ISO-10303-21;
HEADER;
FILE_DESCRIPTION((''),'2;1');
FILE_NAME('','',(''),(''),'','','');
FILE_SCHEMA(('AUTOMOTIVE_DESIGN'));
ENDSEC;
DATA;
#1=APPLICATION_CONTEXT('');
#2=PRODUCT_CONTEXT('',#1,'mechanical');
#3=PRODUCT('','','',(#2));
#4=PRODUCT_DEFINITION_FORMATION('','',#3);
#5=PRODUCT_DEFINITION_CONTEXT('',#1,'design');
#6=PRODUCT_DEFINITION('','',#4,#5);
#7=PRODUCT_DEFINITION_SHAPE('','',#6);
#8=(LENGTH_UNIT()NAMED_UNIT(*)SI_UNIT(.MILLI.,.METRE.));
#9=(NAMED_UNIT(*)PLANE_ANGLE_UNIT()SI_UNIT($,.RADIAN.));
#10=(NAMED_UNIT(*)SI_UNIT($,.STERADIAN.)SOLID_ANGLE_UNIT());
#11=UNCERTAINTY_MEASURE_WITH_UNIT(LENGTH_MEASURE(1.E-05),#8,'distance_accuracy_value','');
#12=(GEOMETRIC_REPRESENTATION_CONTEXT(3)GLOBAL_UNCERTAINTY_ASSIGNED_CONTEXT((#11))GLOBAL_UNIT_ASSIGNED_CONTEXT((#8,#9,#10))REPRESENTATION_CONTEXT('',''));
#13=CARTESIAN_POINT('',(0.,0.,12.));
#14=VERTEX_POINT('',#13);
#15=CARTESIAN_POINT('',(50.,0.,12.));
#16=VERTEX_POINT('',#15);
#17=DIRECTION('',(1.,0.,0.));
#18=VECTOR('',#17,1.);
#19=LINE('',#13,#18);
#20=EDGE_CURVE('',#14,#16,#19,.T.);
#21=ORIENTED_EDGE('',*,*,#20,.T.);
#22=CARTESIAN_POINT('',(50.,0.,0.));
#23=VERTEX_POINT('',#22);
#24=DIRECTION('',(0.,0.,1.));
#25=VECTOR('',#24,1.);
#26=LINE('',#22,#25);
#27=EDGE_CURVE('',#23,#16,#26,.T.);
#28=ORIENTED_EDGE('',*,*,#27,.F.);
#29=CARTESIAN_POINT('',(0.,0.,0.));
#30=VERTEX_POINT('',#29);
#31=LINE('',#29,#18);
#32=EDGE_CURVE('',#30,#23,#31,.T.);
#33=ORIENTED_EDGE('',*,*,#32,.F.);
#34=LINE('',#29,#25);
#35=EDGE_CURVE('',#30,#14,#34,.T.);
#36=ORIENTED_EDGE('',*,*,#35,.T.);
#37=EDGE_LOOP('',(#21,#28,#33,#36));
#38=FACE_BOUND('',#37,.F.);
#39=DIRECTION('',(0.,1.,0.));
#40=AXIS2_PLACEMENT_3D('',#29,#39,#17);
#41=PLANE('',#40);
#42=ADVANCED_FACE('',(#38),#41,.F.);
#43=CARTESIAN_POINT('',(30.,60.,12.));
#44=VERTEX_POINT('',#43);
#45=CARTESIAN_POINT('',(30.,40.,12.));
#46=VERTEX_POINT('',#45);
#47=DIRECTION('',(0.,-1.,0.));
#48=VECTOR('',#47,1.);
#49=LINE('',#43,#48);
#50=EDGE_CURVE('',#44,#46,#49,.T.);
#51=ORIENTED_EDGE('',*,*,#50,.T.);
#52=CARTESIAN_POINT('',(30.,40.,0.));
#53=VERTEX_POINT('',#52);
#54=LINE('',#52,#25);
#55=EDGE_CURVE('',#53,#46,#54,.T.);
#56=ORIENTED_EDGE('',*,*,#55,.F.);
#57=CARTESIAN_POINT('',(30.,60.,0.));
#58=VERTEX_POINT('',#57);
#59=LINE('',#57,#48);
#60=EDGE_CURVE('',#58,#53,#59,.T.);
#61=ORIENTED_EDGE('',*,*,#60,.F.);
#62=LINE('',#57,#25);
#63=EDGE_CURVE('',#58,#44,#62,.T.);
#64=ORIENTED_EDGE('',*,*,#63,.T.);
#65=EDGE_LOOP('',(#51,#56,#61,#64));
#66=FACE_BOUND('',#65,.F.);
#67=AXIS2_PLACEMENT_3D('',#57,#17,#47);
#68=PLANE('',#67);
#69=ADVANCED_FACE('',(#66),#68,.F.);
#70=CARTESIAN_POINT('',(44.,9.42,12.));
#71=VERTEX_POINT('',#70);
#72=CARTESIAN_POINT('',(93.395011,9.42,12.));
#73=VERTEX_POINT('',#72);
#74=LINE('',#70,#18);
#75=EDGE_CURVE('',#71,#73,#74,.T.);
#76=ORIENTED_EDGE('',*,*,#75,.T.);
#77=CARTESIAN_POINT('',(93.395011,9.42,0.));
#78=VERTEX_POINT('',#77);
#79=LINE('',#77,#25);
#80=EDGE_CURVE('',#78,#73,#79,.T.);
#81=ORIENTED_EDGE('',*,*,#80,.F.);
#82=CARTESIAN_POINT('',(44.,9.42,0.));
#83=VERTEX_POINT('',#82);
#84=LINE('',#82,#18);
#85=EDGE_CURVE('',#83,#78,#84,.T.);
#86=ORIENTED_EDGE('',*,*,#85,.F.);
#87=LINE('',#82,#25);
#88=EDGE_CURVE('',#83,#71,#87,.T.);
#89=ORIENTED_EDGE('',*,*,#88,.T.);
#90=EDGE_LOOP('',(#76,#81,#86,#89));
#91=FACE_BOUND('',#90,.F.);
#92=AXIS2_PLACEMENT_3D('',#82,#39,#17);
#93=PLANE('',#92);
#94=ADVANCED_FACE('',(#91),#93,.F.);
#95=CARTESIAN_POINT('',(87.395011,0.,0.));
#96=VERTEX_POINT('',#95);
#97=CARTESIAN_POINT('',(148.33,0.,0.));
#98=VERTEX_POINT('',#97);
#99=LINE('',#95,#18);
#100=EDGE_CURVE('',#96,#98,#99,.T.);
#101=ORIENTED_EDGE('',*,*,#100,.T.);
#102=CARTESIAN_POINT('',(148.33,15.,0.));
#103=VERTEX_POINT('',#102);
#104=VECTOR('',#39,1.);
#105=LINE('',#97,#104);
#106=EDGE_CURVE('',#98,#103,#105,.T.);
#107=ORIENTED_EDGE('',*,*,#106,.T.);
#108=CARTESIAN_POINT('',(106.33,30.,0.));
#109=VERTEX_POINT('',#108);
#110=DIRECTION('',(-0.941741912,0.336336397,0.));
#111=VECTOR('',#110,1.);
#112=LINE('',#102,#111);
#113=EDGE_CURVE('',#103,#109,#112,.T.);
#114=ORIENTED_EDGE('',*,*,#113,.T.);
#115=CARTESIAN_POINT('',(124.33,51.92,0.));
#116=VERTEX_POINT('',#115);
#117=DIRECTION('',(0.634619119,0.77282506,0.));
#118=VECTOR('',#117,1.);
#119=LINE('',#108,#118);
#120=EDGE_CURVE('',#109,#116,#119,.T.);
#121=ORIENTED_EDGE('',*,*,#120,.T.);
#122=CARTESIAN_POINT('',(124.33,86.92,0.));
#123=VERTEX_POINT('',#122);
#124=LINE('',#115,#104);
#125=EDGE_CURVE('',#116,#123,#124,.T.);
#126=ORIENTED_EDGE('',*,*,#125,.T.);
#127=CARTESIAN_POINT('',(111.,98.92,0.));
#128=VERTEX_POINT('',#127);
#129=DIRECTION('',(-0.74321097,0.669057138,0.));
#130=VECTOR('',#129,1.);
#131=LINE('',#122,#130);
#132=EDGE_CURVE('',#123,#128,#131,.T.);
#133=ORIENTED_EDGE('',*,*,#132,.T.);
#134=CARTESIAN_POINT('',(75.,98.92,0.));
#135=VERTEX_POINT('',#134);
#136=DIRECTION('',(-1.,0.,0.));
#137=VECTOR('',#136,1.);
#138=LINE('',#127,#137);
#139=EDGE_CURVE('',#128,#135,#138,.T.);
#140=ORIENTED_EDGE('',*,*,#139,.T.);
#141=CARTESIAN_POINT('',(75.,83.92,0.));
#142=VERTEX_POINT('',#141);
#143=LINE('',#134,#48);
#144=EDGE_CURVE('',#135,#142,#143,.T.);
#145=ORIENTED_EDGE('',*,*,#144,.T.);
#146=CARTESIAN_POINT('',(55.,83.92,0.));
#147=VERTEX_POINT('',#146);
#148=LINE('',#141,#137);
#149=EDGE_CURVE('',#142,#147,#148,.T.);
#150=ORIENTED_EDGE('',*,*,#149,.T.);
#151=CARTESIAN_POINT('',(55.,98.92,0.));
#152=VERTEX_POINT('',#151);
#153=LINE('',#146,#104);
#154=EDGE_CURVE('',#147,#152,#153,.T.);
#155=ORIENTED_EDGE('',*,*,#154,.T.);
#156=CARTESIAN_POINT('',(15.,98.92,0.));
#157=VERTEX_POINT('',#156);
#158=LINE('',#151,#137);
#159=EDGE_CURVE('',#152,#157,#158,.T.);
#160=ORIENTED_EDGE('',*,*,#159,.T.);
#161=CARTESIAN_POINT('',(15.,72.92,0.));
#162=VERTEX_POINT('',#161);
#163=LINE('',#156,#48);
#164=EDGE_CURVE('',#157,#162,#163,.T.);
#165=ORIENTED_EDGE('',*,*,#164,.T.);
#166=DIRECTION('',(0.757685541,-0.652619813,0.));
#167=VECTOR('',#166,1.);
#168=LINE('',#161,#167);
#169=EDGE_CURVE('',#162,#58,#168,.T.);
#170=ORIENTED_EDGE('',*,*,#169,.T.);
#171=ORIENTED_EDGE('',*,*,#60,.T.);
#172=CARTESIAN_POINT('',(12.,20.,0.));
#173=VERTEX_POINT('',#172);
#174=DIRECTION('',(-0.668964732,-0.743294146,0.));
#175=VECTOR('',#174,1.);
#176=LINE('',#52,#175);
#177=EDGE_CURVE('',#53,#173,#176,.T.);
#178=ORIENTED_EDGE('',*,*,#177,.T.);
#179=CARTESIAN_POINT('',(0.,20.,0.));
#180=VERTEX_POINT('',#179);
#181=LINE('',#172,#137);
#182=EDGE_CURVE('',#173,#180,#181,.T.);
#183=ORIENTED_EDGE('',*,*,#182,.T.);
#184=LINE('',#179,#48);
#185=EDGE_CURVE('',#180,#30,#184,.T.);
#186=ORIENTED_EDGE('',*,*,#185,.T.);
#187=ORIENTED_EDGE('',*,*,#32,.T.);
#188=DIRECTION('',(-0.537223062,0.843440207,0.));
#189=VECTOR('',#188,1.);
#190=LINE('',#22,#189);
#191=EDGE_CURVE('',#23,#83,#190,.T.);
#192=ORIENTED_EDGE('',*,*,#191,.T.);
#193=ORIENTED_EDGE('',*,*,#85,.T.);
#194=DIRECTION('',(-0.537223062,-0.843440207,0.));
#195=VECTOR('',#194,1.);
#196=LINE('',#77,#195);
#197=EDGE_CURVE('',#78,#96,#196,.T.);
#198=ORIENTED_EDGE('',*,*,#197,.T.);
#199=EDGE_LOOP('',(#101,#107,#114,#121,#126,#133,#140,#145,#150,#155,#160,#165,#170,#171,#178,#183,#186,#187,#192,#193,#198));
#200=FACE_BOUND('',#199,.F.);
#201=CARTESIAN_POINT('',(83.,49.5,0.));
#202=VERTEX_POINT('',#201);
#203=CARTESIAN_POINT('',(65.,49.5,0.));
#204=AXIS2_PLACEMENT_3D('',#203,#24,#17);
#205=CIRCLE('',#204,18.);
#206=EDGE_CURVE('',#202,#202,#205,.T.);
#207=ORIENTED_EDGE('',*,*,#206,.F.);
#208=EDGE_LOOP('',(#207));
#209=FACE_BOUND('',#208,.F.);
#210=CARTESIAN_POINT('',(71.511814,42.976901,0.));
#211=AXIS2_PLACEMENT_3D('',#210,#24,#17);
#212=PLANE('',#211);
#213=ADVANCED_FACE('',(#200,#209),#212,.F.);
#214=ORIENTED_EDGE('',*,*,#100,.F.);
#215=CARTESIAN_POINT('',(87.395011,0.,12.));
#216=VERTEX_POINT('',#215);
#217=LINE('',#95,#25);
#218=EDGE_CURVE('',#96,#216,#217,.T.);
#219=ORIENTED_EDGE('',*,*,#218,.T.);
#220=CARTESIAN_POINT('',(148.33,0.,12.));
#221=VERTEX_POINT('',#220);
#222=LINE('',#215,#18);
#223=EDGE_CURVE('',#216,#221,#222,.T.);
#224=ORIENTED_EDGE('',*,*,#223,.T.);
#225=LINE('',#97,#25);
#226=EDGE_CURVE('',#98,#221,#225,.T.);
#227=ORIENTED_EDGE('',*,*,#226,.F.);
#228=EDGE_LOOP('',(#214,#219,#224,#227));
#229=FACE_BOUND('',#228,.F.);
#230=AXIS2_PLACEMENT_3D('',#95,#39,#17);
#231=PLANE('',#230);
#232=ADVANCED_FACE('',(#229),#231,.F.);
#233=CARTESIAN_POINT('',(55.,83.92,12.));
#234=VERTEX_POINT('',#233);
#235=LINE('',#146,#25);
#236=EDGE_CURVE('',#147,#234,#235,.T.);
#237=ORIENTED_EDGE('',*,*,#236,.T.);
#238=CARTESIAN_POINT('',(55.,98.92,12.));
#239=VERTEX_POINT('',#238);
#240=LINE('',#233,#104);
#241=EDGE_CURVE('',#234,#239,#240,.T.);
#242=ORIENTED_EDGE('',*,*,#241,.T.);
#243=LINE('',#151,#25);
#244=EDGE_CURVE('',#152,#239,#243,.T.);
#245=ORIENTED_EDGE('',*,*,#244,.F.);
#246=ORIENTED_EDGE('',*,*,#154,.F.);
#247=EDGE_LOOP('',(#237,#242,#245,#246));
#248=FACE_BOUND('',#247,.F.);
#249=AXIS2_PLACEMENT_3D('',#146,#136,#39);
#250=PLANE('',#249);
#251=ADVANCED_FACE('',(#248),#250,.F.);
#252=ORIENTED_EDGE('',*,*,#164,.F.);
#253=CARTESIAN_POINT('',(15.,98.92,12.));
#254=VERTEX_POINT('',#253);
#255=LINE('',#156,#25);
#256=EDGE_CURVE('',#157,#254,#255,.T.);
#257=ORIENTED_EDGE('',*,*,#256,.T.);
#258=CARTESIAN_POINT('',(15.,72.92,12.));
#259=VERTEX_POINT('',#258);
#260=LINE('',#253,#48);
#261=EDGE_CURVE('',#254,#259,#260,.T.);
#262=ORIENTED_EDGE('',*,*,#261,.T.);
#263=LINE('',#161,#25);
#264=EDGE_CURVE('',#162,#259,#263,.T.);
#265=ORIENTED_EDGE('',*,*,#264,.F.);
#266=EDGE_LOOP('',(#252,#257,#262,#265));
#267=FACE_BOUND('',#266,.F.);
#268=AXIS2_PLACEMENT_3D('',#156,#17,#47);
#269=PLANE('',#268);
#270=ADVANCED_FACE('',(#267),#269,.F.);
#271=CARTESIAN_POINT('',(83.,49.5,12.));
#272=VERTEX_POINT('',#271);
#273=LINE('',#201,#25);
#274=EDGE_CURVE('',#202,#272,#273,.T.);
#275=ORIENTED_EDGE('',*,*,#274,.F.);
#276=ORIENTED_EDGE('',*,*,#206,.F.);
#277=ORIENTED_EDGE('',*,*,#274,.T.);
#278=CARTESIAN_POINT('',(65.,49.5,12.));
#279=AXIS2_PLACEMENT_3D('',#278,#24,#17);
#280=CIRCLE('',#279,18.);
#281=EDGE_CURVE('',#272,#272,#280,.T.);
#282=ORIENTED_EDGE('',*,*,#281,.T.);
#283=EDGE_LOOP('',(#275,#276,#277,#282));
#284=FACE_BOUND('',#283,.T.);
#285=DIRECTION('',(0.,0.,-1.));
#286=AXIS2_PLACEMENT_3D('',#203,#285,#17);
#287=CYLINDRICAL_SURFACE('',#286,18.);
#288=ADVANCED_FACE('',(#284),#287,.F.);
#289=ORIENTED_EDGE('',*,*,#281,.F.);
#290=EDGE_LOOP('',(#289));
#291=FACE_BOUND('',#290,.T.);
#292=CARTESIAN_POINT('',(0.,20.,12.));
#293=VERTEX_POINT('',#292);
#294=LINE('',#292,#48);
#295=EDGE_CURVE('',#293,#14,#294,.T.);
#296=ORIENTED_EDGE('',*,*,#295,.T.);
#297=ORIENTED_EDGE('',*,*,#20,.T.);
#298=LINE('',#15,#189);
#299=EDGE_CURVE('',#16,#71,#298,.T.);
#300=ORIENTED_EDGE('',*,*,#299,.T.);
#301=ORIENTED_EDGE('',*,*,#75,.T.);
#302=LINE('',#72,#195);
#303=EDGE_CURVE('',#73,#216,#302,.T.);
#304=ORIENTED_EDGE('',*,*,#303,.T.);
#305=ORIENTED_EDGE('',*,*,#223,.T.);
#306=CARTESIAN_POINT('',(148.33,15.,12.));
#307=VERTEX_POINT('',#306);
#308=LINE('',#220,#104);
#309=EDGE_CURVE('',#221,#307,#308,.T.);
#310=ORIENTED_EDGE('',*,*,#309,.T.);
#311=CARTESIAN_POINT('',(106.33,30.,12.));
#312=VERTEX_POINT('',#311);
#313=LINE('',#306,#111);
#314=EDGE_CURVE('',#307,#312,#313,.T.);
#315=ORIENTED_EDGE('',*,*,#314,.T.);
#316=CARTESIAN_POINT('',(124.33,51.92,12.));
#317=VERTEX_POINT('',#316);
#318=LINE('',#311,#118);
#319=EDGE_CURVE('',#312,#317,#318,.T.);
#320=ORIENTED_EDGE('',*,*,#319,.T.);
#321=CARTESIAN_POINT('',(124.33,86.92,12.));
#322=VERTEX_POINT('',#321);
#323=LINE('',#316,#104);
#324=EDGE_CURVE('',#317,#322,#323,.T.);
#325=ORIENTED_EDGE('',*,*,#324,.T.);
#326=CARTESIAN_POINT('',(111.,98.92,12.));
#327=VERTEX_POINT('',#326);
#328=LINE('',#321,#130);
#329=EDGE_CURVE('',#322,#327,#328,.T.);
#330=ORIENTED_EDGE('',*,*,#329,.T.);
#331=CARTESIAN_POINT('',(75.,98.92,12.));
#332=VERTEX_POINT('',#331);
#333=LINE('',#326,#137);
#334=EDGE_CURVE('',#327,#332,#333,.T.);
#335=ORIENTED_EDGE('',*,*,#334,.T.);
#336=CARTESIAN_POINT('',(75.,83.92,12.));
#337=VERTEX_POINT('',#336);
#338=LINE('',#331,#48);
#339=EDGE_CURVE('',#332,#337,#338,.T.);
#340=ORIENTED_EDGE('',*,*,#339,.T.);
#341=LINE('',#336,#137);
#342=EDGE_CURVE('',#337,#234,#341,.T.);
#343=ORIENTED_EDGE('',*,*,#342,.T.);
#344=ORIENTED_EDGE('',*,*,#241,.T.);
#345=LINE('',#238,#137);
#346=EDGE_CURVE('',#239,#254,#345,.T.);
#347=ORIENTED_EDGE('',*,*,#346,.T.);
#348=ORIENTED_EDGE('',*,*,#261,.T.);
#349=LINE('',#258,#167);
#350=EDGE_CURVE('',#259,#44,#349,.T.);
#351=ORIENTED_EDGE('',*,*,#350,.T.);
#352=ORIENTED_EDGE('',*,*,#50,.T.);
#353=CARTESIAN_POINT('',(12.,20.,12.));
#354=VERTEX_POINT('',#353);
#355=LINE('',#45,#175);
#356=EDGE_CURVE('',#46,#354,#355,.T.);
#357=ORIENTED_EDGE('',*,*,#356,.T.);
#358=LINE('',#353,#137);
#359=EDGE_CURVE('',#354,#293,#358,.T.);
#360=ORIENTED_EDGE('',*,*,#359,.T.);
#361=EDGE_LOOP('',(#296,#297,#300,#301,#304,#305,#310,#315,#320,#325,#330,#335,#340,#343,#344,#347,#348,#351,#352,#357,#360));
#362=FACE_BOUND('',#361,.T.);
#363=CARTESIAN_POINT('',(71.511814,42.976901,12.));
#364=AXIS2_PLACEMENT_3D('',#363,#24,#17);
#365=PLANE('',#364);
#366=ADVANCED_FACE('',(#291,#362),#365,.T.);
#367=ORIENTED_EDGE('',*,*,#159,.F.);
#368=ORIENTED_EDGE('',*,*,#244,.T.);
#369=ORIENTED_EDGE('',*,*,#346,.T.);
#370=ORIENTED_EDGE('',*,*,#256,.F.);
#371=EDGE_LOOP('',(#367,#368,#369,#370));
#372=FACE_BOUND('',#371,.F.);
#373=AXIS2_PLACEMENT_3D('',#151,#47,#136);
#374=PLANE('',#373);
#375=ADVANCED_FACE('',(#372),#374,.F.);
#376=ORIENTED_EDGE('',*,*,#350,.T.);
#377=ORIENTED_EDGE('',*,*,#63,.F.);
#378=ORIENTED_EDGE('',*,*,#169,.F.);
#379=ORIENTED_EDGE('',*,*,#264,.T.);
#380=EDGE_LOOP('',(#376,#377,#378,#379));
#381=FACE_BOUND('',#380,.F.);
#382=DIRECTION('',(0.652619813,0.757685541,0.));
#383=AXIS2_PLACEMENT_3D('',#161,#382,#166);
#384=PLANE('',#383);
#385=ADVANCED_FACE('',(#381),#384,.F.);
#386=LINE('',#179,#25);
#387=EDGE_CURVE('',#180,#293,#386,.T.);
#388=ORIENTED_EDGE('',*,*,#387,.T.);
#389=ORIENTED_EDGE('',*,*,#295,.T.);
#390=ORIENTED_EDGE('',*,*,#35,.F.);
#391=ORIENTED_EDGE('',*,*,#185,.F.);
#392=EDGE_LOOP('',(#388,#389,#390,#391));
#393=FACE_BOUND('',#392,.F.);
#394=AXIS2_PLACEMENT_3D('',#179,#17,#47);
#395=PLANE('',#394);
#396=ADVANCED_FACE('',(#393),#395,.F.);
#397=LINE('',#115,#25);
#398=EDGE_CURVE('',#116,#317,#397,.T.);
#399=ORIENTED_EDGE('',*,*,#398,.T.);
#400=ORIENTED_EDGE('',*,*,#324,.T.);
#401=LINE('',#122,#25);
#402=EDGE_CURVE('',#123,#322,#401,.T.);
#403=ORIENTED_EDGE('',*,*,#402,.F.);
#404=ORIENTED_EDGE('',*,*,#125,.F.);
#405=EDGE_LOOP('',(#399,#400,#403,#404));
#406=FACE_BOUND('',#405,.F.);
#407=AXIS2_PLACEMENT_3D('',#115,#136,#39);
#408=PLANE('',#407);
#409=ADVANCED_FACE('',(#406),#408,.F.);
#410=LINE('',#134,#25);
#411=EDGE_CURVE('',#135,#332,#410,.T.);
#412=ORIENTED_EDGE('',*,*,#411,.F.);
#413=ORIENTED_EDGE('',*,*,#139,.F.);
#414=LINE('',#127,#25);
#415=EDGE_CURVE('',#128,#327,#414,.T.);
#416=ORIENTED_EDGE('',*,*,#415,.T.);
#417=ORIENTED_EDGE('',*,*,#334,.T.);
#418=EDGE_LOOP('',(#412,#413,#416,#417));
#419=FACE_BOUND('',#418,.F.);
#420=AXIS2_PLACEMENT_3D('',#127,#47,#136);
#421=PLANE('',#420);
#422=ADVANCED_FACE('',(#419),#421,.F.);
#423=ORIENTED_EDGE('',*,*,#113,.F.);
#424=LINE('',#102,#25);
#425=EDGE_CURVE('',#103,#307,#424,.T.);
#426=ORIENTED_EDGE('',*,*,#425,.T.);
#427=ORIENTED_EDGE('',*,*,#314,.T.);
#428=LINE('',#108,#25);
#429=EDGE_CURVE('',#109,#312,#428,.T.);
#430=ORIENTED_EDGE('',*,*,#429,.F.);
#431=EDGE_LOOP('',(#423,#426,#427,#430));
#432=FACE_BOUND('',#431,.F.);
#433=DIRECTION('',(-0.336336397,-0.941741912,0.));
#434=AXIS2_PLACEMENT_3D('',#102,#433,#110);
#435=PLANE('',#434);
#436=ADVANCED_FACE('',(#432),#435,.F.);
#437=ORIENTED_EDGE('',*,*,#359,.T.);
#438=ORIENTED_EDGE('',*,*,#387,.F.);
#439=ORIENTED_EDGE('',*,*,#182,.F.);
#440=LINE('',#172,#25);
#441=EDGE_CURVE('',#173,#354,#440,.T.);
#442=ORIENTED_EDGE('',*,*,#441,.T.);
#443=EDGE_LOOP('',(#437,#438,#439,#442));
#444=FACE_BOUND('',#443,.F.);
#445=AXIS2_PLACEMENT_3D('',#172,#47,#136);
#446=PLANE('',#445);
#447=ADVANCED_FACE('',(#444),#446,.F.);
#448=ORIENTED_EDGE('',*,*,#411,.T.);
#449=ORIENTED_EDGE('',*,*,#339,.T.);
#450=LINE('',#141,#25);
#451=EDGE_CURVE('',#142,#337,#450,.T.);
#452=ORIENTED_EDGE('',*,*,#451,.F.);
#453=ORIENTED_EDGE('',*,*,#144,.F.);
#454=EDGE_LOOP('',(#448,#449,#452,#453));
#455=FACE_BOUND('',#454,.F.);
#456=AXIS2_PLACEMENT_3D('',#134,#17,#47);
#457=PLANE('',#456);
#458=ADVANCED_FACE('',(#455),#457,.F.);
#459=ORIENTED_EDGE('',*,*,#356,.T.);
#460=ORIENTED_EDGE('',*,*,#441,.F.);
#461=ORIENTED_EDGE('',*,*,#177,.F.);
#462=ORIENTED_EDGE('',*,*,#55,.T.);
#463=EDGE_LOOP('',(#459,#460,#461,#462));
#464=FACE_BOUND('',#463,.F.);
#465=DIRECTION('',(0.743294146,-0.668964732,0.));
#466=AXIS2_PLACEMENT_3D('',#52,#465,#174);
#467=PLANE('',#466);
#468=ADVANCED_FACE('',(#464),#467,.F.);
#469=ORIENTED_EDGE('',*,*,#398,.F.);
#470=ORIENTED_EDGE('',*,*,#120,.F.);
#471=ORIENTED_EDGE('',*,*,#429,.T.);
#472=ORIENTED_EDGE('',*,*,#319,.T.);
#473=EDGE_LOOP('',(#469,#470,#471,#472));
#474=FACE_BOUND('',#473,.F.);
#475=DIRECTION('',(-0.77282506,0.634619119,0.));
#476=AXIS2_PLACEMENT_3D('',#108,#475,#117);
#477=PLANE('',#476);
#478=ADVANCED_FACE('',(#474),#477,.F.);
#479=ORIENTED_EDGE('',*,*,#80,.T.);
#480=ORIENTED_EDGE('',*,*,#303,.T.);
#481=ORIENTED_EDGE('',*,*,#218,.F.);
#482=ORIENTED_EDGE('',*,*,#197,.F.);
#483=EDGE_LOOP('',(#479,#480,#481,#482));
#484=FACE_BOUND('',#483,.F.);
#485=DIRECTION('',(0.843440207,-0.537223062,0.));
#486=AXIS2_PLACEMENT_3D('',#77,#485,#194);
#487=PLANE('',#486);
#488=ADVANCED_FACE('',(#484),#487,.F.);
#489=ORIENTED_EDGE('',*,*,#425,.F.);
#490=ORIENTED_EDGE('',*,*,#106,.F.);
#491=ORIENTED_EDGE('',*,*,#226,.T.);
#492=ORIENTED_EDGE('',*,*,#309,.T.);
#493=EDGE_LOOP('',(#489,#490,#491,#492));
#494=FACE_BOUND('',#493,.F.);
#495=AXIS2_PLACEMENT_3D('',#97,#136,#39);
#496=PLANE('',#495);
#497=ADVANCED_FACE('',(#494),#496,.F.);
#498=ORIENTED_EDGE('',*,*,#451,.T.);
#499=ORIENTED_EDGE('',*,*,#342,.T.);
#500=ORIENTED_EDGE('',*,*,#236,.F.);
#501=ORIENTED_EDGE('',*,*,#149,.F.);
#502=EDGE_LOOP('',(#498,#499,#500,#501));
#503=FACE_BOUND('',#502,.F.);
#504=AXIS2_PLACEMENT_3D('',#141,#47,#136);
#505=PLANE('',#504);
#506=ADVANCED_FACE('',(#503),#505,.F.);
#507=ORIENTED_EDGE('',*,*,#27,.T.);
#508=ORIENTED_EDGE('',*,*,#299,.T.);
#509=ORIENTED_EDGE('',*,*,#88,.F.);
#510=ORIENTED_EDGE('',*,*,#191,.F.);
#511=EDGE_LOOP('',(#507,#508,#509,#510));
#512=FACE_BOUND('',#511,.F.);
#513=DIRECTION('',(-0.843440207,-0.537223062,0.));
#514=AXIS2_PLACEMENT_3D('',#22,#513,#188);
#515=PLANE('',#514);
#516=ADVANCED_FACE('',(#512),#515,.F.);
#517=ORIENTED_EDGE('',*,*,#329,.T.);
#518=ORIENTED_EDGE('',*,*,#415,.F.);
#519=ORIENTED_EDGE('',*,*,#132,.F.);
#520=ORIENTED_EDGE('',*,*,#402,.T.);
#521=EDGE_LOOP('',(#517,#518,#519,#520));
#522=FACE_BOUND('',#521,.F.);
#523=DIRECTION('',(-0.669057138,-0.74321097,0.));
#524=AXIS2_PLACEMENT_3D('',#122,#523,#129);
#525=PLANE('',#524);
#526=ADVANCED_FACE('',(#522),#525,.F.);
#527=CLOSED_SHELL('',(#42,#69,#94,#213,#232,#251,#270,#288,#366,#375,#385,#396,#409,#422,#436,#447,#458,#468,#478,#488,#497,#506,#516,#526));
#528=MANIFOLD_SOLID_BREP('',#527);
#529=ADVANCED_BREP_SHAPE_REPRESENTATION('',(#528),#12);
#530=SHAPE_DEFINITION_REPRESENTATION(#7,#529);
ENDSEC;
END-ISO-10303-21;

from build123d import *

# Parameters (mm, degrees)
F0_R     = 18
F1_DEPTH = 12


with BuildPart() as f1:
    # F0 (on Top) → F1 (new body)
    with BuildSketch(Plane.XY):
        Polygon((0, 20), (0, 0), (50, 0), (44, 9.42), (93.395011, 9.42), (87.395011, 0), (148.33, 0), (148.33, 15), (106.33, 30), (124.33, 51.92), (124.33, 86.92), (111, 98.92), (75, 98.92), (75, 83.92), (55, 83.92), (55, 98.92), (15, 98.92), (15, 72.92), (30, 60), (30, 40), (12, 20), align=None)
        with Locations((65, 49.5)):
            Circle(F0_R, mode=Mode.SUBTRACT)
    extrude(amount=F1_DEPTH)


solid = f1.part
